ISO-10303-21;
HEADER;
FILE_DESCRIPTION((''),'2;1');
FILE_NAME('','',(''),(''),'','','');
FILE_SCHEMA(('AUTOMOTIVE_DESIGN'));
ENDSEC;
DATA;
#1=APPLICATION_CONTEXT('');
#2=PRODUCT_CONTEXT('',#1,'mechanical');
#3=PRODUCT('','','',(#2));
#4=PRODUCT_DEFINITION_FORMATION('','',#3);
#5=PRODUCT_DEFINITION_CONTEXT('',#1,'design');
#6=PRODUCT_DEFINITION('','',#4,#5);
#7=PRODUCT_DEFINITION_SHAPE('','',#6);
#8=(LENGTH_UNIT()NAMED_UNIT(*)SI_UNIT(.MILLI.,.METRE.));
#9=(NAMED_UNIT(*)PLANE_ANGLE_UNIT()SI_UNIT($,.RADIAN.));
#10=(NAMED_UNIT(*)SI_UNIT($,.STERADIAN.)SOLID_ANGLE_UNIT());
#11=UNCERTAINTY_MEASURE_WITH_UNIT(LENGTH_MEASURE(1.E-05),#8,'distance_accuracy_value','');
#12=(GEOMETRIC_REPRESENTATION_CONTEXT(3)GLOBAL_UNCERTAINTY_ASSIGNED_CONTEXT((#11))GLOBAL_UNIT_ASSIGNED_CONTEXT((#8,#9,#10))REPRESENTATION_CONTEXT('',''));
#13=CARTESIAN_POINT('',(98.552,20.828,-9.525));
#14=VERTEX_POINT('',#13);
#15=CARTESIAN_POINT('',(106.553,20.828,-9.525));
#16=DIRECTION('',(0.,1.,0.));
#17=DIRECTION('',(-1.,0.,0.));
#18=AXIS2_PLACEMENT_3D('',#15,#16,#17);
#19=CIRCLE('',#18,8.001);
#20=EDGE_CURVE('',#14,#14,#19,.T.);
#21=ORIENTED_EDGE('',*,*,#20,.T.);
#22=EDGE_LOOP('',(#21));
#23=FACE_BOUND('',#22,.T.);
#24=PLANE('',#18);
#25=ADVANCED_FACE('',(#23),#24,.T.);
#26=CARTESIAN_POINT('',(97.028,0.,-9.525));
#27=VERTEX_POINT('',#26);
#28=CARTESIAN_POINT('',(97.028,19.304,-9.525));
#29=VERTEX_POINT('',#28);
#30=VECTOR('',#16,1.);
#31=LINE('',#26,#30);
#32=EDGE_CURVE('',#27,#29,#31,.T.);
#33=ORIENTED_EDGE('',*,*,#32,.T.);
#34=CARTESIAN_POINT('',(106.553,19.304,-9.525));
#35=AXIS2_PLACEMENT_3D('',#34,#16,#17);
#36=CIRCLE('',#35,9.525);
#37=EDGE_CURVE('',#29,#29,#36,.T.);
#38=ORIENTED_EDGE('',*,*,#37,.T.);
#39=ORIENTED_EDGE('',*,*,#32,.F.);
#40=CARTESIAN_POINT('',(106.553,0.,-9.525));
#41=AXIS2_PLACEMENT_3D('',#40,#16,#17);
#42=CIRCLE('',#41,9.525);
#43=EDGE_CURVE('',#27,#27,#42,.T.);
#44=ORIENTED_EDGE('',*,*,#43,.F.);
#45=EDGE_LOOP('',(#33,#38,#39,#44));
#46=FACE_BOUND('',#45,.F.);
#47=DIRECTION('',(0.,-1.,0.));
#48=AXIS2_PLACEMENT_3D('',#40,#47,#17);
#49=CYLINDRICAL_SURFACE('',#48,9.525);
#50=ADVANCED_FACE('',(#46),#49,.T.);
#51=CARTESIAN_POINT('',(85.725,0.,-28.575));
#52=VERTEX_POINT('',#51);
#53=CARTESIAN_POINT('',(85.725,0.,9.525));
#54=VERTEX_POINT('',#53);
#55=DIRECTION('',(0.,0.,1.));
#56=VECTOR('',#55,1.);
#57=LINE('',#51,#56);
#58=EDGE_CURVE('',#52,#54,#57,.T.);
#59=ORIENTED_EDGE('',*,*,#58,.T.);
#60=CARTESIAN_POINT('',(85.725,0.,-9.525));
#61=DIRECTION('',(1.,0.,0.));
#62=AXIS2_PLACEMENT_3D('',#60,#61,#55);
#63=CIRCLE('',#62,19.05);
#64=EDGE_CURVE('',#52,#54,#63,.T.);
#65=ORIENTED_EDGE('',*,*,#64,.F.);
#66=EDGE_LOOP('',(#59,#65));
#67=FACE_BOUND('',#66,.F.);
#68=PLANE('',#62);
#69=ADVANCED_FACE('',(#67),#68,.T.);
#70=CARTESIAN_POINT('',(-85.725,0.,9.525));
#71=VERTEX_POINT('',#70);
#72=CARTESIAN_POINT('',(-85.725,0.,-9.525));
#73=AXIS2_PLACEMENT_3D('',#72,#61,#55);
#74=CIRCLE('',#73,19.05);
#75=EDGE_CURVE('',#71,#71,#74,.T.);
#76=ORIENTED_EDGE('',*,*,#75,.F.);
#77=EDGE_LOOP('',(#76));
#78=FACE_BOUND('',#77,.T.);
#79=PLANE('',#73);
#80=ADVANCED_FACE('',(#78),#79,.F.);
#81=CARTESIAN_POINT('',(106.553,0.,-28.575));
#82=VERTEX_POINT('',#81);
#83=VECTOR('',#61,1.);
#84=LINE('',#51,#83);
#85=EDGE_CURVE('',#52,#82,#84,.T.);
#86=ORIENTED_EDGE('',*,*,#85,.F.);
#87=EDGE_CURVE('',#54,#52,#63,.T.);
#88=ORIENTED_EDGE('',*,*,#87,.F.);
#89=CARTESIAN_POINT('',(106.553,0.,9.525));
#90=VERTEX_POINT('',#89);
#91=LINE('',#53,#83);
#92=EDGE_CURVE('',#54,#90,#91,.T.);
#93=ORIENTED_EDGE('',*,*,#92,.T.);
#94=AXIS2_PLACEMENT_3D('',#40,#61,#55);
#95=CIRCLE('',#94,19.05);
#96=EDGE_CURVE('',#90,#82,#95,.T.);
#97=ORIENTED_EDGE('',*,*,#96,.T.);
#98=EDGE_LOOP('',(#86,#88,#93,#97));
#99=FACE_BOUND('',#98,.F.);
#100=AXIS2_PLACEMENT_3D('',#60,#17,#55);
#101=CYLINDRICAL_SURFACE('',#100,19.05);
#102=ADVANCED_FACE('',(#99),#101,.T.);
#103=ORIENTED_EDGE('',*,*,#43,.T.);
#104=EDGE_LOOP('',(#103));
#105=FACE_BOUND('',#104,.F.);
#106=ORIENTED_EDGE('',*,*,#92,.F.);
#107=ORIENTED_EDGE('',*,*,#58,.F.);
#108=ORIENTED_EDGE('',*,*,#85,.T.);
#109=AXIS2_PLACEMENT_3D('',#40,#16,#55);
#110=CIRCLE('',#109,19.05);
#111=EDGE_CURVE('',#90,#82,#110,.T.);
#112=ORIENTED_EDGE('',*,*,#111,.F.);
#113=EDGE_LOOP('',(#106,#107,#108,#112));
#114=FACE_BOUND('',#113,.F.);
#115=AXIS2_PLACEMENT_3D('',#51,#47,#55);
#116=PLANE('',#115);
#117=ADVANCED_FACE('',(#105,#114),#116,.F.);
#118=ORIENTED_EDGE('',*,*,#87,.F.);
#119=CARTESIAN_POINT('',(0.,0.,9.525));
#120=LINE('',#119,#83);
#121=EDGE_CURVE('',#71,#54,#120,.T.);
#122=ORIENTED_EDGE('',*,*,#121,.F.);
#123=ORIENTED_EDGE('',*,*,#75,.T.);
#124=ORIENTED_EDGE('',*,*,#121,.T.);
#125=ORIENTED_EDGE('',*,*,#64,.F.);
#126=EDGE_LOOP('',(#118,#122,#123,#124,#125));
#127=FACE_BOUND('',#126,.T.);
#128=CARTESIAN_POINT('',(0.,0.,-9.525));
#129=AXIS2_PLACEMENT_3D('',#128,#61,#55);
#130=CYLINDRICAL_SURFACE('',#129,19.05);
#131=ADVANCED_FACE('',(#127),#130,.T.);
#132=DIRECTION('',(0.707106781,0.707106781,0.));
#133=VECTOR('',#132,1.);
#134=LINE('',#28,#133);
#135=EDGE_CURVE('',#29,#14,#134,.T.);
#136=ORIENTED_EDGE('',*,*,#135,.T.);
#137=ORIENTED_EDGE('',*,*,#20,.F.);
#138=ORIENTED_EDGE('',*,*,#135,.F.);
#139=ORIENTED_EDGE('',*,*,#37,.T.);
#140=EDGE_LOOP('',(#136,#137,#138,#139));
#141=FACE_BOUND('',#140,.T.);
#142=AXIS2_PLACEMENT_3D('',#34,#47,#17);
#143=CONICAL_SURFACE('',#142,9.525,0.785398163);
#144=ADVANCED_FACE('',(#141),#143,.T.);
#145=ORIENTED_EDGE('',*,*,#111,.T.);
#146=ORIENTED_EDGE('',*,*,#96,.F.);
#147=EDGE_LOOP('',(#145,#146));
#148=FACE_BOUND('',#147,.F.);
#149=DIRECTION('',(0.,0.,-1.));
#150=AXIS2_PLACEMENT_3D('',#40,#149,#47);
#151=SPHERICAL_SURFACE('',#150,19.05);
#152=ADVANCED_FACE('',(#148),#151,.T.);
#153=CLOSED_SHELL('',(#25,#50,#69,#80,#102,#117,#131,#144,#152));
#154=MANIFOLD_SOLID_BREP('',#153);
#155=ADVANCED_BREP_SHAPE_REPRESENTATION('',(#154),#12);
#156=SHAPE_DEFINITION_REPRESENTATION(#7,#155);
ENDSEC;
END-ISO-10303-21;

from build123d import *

# Parameters (mm, degrees)
F0_W     = 171.45
F0_H     = 19.05
F3_DEPTH = 20.828
F5_ANGLE = 90
F6_R     = 9.525
F7_DEPTH = 20.828
F8_SIZE  = 1.524


with BuildPart() as f1:
    # F0 (on Front) → F1 (revolve)
    with BuildSketch(Plane.XZ):
        Rectangle(F0_W, F0_H)
    revolve(axis=Axis((0, 0, -9.525), (1, 0, 0)))

    # F2 (on face) → F3 (join)
    with BuildSketch(Plane.YZ.offset(85.725)):
        with BuildLine():
            Line((0, -28.575), (0, 9.525))
            ThreePointArc((0, 9.525), (-19.05, -9.525), (0, -28.575))
        make_face()
    extrude(amount=F3_DEPTH)

    # F4 (on face) → F5 (revolve)
    with BuildSketch(Plane.YZ.offset(106.553)):
        with BuildLine():
            ThreePointArc((0, 9.525), (-19.05, -9.525), (0, -28.575))
            Line((0, -28.575), (0, 9.525))
        make_face()
    revolve(axis=Axis((106.553, 0, -9.525), (0, 0, 1)), revolution_arc=F5_ANGLE)

    # F6 (on face) → F7 (join)
    with BuildSketch(Plane(origin=(0, 0, 0), x_dir=(-1, 0, 0), z_dir=(0, 1, 0))):
        with Locations((-106.553, -9.525)):
            Circle(F6_R)
    extrude(amount=F7_DEPTH)

    # F8
    f8_edges = [f1.edges().sort_by_distance(p)[0] for p in [
        (116.078, 20.828, -9.525),
    ]]
    chamfer(f8_edges, length=F8_SIZE)


solid = f1.part
